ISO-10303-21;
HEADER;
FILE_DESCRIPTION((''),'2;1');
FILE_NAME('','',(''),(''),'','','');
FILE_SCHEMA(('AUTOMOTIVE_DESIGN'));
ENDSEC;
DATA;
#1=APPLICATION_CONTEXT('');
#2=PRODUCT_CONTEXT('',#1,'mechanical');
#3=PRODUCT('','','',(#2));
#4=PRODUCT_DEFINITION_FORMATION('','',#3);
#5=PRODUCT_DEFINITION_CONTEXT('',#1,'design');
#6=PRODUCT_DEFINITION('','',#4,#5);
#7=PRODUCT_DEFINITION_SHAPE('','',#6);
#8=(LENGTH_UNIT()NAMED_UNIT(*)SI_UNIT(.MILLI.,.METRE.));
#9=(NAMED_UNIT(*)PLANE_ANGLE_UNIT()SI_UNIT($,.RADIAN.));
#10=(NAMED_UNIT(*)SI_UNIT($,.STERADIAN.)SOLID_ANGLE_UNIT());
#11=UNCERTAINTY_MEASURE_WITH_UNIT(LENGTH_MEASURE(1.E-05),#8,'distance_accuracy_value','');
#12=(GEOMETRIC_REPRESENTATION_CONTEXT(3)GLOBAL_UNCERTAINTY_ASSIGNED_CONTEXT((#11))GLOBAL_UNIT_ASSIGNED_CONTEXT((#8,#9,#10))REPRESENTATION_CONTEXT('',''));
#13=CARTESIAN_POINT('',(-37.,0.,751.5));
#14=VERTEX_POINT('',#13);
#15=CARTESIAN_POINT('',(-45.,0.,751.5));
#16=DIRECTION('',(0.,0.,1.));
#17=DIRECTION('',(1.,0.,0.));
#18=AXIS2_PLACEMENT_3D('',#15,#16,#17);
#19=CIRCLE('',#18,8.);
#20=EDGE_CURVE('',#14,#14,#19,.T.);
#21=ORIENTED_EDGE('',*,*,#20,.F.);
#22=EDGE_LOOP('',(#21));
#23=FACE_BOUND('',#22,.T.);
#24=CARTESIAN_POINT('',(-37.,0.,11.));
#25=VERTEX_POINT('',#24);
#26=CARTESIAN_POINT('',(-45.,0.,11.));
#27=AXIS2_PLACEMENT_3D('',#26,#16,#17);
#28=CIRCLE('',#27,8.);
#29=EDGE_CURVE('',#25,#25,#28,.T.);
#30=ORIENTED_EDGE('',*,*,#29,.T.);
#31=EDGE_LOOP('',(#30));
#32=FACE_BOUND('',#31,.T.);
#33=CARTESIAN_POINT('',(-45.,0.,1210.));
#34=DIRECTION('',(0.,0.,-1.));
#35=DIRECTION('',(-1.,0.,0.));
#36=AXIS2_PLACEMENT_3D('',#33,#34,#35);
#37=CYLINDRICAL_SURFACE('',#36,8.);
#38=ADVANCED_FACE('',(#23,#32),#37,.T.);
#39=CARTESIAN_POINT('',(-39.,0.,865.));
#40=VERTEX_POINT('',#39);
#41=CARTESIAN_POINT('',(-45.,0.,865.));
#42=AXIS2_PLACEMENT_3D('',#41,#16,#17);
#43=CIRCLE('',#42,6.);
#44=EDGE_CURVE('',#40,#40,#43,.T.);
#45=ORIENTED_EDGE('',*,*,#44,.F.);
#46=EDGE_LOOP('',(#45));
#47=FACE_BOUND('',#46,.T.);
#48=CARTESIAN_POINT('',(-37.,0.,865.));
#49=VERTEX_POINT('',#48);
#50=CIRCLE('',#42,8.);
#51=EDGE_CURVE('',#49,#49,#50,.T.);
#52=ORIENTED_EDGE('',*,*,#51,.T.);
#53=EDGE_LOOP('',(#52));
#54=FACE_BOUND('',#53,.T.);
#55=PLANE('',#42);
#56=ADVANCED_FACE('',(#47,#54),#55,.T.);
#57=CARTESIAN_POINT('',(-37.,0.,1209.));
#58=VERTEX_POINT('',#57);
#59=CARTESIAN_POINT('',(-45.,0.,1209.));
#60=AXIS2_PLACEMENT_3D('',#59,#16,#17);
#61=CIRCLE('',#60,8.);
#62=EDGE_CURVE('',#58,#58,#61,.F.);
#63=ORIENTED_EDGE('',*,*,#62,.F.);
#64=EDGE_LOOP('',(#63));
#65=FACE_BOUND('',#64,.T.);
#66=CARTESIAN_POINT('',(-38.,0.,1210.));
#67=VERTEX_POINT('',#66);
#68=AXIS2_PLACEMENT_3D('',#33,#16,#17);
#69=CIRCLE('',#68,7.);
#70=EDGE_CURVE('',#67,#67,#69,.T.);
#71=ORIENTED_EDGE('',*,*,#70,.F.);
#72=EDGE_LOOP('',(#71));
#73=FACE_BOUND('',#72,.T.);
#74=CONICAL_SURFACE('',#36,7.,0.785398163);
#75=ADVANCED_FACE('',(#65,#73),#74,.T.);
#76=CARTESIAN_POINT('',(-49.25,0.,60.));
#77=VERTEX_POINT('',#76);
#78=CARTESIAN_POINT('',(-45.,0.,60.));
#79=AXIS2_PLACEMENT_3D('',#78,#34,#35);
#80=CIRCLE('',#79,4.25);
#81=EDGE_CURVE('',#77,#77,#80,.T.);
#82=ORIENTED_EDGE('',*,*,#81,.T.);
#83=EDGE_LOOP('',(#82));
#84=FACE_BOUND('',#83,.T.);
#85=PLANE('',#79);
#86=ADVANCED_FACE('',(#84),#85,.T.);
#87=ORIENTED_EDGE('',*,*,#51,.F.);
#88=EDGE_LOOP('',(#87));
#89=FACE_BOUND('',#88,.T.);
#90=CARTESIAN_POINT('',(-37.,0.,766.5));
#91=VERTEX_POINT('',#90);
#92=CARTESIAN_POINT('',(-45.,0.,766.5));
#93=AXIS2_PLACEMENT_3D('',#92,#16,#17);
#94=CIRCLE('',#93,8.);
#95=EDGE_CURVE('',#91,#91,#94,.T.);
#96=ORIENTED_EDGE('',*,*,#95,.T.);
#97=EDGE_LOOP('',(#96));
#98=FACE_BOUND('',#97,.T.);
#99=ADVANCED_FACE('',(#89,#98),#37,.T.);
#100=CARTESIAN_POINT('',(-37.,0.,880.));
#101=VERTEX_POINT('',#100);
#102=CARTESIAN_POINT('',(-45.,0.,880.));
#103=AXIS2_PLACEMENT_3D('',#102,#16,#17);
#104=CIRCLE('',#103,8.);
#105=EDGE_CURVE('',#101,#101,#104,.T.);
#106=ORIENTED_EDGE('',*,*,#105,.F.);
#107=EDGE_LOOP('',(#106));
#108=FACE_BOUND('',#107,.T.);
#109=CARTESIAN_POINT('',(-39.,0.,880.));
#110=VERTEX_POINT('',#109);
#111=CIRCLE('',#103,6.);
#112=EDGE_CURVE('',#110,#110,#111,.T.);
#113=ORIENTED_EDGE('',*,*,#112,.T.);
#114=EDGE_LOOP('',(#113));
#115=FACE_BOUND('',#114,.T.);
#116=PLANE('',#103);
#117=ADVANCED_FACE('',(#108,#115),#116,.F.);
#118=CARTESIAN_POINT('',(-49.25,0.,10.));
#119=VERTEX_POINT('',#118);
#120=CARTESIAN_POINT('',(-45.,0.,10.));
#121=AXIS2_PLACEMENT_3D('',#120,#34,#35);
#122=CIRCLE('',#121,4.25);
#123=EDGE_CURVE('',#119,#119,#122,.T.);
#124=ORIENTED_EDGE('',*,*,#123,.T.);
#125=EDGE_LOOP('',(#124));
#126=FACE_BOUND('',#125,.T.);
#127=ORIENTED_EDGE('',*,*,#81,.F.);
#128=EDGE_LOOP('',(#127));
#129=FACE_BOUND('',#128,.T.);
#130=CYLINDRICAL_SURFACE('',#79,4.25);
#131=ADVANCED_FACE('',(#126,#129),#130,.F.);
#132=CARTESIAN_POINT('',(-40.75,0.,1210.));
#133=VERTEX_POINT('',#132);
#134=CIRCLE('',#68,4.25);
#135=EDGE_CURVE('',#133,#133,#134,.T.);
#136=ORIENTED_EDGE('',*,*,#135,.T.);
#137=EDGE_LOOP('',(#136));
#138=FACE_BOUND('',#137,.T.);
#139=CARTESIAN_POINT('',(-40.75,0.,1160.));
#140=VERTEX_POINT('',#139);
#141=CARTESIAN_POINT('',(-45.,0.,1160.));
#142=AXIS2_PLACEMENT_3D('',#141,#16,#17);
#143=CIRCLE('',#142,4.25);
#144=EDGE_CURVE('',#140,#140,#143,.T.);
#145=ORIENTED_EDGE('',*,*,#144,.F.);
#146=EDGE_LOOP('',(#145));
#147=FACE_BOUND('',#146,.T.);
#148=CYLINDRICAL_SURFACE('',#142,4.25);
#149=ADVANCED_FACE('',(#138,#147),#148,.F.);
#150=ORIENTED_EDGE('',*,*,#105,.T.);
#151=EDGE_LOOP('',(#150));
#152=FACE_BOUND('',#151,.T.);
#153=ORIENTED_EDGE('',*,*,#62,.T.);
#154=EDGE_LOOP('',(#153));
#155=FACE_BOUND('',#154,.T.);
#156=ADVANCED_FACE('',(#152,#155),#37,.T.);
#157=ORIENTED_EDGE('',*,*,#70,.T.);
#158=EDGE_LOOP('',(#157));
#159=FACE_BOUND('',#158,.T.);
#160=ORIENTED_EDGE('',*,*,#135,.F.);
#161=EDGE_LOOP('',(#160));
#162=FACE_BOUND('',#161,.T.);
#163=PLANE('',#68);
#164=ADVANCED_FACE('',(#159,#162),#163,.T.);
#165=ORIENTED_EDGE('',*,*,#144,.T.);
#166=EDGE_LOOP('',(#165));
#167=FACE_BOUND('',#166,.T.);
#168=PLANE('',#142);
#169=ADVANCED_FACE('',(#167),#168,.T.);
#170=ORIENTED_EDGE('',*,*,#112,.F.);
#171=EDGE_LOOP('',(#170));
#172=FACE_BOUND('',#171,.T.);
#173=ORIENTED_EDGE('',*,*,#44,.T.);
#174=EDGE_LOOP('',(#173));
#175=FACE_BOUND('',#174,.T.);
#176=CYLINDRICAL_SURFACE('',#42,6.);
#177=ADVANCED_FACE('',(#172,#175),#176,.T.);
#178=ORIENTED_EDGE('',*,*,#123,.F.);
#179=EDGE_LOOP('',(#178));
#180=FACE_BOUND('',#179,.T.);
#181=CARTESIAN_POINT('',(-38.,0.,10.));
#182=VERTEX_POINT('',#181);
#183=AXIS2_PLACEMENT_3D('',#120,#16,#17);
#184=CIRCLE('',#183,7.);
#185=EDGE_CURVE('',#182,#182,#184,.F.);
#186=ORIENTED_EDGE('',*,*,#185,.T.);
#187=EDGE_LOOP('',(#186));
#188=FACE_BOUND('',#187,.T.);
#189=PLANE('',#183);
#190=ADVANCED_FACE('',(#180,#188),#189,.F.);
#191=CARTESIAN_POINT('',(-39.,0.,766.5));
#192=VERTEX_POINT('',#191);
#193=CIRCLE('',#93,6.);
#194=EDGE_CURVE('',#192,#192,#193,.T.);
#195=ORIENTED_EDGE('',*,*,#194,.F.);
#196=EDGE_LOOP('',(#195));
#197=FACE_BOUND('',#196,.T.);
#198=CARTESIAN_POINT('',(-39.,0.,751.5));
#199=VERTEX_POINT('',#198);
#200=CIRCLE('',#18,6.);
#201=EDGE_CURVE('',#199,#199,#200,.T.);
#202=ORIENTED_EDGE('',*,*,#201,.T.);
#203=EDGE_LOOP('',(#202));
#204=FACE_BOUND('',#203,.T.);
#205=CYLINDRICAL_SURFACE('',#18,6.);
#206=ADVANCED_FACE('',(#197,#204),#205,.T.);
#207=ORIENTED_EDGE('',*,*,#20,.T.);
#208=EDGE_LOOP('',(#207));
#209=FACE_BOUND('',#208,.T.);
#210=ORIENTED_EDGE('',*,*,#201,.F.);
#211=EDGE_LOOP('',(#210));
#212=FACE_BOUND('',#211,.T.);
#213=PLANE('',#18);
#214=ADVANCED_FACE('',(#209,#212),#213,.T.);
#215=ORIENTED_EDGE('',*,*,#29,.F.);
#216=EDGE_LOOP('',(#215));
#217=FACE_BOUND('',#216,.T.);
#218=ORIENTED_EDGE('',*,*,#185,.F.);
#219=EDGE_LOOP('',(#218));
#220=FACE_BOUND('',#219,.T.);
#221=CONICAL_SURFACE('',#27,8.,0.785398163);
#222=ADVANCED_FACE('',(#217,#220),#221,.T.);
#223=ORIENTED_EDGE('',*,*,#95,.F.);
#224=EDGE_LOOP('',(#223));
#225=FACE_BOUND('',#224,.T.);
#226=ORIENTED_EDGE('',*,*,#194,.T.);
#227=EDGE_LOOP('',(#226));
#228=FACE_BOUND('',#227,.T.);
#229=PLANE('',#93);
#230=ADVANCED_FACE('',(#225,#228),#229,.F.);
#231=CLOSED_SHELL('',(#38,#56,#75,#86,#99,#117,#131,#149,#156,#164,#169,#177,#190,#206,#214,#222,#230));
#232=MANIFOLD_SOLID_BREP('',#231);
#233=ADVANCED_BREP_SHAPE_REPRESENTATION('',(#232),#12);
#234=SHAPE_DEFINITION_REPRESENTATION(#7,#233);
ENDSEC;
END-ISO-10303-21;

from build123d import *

# Parameters (mm, degrees)
BOSS_EXTRUDE1_START = 10
SKETCH1_R           = 8
BOSS_EXTRUDE1_DEPTH = 1200
CHAMFER1_SIZE       = 1
SKETCH2_R           = 4.25
CUT_EXTRUDE1_DEPTH  = 50
CUT_EXTRUDE2_START  = -50
SKETCH3_R           = 4.25
CUT_EXTRUDE2_DEPTH  = 50
CUT_EXTRUDE3_START  = -458.5
SKETCH4_R           = 8
SKETCH4_R_2         = 6
CUT_EXTRUDE3_DEPTH  = 15
CUT_EXTRUDE4_START  = -345
SKETCH4_2_R         = 8
SKETCH4_2_R_2       = 6
CUT_EXTRUDE4_DEPTH  = 15


with BuildPart() as part:
    # Sketch1 → Boss-Extrude1 (new body)
    with BuildSketch(Plane.XY.offset(BOSS_EXTRUDE1_START)):
        with Locations((-45, 0)):
            Circle(SKETCH1_R)
    extrude(amount=BOSS_EXTRUDE1_DEPTH)

    # Chamfer1
    chamfer1_edges = [part.edges().sort_by_distance(p)[0] for p in [
        (-53, 0, 1210),
        (-53, 0, 10),
    ]]
    chamfer(chamfer1_edges, length=CHAMFER1_SIZE)

    # Sketch2 → Cut-Extrude1 (cut)
    with BuildSketch(Plane.XY.offset(1210)):
        with Locations((-45, 0)):
            Circle(SKETCH2_R)
    extrude(amount=-CUT_EXTRUDE1_DEPTH, mode=Mode.SUBTRACT)

    # Sketch3 → Cut-Extrude2 (cut)
    with BuildSketch(Plane(origin=(0, 0, 10), x_dir=(-1, 0, 0), z_dir=(0, 0, -1)).offset(CUT_EXTRUDE2_START)):
        with Locations((45, 0)):
            Circle(SKETCH3_R)
    extrude(amount=CUT_EXTRUDE2_DEPTH, mode=Mode.SUBTRACT)

    # Sketch4 → Cut-Extrude3 (cut)
    with BuildSketch(Plane.XY.offset(1210).offset(CUT_EXTRUDE3_START)):
        with Locations((-45, 0)):
            Circle(SKETCH4_R)
        with Locations((-45, 0)):
            Circle(SKETCH4_R_2, mode=Mode.SUBTRACT)
    extrude(amount=CUT_EXTRUDE3_DEPTH, mode=Mode.SUBTRACT)

    # Sketch4<2> → Cut-Extrude4 (cut)
    with BuildSketch(Plane.XY.offset(1210).offset(CUT_EXTRUDE4_START)):
        with Locations((-45, 0)):
            Circle(SKETCH4_2_R)
        with Locations((-45, 0)):
            Circle(SKETCH4_2_R_2, mode=Mode.SUBTRACT)
    extrude(amount=CUT_EXTRUDE4_DEPTH, mode=Mode.SUBTRACT)


solid = part.part
